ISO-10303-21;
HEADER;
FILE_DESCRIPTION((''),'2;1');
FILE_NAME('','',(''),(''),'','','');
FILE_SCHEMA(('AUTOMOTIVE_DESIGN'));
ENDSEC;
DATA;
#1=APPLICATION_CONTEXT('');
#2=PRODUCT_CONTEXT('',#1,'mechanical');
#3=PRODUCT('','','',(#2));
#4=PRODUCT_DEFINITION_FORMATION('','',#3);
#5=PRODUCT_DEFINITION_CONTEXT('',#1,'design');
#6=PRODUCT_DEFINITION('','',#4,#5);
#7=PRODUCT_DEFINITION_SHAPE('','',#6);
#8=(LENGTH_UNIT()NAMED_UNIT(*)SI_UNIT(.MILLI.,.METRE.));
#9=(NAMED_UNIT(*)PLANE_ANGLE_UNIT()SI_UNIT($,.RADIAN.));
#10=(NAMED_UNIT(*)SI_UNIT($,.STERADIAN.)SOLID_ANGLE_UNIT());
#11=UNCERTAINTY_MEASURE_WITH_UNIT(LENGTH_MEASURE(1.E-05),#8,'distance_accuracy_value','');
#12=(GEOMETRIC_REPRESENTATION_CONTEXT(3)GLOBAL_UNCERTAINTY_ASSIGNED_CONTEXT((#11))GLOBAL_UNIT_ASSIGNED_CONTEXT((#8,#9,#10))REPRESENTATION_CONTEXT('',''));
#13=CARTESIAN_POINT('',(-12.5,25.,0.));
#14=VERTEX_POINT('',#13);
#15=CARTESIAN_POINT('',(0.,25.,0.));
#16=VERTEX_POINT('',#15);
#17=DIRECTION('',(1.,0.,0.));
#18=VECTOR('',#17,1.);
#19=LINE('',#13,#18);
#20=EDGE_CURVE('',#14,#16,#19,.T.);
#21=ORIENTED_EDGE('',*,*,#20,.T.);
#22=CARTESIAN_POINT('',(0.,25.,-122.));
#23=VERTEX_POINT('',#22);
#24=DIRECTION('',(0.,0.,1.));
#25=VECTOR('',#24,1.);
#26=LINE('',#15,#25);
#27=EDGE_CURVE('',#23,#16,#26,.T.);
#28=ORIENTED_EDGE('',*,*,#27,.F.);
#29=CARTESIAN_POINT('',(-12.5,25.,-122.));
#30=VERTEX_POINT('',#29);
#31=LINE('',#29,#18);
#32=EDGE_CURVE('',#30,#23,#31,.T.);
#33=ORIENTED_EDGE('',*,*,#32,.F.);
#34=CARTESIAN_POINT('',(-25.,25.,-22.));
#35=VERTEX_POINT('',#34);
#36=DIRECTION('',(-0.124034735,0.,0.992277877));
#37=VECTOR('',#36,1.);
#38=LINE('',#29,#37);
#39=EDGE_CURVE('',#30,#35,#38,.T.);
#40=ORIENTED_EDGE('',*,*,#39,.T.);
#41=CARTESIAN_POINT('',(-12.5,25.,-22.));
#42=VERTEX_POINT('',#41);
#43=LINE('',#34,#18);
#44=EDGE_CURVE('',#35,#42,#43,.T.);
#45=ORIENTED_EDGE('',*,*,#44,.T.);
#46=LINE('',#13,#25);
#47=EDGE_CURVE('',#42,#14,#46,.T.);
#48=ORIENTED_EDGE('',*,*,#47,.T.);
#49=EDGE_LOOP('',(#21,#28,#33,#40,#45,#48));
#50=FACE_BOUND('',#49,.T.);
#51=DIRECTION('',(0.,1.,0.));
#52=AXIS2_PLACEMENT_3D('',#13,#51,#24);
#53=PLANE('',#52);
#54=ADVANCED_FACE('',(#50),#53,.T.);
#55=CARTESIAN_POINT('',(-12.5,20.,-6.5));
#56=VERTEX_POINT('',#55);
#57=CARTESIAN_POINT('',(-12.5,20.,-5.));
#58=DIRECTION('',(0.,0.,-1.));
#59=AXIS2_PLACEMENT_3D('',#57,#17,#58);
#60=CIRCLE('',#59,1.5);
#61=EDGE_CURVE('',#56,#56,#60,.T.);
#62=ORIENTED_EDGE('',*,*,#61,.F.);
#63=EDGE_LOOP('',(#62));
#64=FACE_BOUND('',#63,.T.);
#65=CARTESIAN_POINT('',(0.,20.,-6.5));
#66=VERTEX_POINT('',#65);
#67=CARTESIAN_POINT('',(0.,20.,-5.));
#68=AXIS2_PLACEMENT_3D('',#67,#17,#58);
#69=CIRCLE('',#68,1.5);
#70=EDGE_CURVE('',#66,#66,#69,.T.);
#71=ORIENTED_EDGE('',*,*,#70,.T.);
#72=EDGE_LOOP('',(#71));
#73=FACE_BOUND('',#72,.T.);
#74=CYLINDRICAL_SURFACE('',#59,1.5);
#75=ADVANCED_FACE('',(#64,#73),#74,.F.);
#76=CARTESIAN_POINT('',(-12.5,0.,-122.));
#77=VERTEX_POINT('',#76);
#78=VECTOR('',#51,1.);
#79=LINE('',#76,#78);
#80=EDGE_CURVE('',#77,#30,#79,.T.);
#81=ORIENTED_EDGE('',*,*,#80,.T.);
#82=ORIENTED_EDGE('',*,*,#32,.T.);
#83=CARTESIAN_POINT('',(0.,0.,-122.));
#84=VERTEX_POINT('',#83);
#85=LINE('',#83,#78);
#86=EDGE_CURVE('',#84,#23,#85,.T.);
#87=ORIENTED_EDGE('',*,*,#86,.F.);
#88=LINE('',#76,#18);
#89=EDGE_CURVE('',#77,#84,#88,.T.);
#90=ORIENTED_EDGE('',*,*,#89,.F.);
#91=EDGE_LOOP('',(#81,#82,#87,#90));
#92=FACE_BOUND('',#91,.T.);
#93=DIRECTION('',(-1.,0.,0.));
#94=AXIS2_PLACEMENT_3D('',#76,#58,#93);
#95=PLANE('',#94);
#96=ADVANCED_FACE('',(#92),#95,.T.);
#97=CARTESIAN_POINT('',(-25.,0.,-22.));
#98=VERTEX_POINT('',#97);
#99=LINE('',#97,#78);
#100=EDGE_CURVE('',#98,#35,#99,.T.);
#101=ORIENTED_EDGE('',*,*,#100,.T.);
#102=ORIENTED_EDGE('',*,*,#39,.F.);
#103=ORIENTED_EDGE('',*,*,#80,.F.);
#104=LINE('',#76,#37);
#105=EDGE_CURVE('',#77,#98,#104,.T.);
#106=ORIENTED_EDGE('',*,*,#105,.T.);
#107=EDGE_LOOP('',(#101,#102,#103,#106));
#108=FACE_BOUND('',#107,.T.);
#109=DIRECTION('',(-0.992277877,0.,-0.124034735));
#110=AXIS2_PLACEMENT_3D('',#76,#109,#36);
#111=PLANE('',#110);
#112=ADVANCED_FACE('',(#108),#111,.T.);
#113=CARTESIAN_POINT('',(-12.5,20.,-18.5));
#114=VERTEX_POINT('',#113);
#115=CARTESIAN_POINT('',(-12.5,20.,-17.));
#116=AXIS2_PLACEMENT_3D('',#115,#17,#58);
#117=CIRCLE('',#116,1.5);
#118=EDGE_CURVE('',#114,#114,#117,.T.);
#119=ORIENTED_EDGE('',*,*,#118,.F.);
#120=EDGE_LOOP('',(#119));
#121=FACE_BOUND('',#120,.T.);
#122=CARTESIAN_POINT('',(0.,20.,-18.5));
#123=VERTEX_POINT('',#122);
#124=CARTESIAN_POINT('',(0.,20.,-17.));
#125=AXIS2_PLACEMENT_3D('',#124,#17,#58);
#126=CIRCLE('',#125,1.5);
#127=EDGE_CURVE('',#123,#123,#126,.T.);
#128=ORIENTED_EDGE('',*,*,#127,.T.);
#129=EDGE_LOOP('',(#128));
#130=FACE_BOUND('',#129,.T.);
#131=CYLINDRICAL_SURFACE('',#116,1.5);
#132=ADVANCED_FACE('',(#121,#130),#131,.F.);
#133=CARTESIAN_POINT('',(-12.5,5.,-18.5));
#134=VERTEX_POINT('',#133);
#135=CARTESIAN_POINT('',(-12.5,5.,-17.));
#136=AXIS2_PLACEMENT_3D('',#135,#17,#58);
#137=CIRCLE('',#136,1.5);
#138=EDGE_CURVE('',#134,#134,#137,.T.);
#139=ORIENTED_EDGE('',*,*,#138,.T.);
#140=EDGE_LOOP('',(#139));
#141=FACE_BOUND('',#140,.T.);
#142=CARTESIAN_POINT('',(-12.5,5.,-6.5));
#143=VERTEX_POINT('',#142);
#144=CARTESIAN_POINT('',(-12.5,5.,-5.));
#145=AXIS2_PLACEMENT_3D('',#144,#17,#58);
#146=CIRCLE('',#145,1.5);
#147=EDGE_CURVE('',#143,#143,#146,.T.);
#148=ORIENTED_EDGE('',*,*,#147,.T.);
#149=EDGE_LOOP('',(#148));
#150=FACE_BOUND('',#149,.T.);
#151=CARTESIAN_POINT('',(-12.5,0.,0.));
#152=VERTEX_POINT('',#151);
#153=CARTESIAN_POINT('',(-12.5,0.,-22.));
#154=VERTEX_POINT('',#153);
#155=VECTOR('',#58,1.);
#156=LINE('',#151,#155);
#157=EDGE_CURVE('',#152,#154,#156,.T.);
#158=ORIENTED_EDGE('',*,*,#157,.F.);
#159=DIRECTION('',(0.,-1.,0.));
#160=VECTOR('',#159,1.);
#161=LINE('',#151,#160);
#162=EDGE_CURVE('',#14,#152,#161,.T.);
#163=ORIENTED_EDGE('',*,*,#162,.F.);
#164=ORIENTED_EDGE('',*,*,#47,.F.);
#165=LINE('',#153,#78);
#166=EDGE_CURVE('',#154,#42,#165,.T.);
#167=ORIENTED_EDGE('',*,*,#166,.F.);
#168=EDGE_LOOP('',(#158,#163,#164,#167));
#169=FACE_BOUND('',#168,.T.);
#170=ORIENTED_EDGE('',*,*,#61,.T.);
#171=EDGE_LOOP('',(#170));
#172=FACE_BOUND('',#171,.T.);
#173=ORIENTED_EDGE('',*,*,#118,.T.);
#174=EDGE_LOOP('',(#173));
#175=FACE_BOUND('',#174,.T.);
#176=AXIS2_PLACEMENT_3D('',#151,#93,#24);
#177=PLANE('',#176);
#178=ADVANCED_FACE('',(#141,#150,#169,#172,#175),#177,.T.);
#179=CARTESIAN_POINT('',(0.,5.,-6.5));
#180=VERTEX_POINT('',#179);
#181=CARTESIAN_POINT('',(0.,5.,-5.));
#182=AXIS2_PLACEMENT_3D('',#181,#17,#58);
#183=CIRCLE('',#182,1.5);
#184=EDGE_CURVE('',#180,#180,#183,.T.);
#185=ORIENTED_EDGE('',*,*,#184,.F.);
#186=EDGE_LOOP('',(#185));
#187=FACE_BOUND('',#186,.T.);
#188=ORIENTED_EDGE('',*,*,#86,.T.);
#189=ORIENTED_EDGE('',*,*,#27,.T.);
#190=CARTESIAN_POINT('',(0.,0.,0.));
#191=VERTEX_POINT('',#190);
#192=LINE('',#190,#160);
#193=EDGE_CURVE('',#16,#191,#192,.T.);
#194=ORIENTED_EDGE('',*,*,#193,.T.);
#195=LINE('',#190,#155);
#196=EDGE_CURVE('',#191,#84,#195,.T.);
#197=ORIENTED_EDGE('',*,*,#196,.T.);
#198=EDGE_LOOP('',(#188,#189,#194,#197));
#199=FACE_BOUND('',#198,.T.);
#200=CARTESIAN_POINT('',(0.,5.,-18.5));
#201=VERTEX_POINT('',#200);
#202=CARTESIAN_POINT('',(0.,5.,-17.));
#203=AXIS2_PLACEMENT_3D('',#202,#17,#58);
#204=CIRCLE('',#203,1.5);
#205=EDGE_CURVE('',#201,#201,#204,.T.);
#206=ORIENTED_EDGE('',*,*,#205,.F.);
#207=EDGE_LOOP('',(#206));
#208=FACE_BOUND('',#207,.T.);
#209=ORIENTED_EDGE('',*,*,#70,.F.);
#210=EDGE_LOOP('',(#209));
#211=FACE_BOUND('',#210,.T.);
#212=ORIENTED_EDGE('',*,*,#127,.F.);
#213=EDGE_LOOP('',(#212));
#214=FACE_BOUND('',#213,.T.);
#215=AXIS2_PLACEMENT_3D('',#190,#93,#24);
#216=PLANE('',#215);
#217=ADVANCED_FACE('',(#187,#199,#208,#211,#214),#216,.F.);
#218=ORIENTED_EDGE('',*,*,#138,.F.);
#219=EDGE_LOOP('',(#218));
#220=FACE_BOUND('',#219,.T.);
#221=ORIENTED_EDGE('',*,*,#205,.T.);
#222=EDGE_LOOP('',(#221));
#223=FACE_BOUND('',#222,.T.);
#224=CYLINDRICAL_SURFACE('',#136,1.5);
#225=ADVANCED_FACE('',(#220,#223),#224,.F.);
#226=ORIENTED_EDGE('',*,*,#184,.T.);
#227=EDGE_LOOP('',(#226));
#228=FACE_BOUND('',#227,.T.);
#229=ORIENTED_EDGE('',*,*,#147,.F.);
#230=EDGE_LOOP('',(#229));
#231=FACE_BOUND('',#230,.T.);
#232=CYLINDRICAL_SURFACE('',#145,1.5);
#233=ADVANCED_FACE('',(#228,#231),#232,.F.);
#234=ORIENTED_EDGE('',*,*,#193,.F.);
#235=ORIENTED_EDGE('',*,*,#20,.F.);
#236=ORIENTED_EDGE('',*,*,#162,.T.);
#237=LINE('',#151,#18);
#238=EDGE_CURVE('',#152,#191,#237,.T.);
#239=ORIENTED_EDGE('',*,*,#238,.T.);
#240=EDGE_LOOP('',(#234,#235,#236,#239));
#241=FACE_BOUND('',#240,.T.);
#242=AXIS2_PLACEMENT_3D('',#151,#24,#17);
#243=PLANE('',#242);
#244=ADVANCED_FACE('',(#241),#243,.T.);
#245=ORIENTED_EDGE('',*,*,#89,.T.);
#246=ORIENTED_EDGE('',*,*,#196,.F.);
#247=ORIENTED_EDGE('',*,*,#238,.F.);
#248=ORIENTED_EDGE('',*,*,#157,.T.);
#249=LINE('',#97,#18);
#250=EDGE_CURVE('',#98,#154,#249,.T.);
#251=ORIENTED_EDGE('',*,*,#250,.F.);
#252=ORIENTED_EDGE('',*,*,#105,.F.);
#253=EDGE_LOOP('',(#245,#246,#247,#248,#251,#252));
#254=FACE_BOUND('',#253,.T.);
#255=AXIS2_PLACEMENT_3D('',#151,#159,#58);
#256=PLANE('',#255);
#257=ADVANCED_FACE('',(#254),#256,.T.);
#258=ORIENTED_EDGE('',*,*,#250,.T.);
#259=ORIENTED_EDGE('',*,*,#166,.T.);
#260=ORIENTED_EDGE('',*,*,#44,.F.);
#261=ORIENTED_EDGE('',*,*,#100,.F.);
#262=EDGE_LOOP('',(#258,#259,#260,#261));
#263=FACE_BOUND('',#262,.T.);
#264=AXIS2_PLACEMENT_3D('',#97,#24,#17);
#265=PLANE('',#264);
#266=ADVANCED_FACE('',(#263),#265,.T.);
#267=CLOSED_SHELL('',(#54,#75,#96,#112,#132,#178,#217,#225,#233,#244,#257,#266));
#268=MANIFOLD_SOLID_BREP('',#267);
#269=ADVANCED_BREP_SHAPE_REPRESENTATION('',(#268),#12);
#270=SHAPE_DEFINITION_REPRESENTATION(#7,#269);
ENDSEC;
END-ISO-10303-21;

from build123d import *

# Parameters (mm, degrees)
SKETCH1_W           = 122
SKETCH1_H           = 25
SKETCH1_R           = 1.5
BOSS_EXTRUDE1_DEPTH = 12.5
BOSS_EXTRUDE2_DEPTH = 25


with BuildPart() as part:
    # Sketch1 → Boss-Extrude1 (new body)
    with BuildSketch(Plane(origin=(0, 0, 0), x_dir=(0, 0, -1), z_dir=(1, 0, 0))):
        with Locations((61, 12.5)):
            Rectangle(SKETCH1_W, SKETCH1_H)
        with Locations((5, 20)):
            Circle(SKETCH1_R, mode=Mode.SUBTRACT)
        with Locations((17, 20)):
            Circle(SKETCH1_R, mode=Mode.SUBTRACT)
        with Locations((17, 5)):
            Circle(SKETCH1_R, mode=Mode.SUBTRACT)
        with Locations((5, 5)):
            Circle(SKETCH1_R, mode=Mode.SUBTRACT)
    extrude(amount=-BOSS_EXTRUDE1_DEPTH)

    # Sketch2 → Boss-Extrude2 (add)
    with BuildSketch(Plane(origin=(0, 25, 0), x_dir=(1, 0, 0), z_dir=(0, 1, 0))):
        Polygon((-12.5, 122), (-25, 22), (-12.5, 22), align=None)
    extrude(amount=-BOSS_EXTRUDE2_DEPTH)


solid = part.part
